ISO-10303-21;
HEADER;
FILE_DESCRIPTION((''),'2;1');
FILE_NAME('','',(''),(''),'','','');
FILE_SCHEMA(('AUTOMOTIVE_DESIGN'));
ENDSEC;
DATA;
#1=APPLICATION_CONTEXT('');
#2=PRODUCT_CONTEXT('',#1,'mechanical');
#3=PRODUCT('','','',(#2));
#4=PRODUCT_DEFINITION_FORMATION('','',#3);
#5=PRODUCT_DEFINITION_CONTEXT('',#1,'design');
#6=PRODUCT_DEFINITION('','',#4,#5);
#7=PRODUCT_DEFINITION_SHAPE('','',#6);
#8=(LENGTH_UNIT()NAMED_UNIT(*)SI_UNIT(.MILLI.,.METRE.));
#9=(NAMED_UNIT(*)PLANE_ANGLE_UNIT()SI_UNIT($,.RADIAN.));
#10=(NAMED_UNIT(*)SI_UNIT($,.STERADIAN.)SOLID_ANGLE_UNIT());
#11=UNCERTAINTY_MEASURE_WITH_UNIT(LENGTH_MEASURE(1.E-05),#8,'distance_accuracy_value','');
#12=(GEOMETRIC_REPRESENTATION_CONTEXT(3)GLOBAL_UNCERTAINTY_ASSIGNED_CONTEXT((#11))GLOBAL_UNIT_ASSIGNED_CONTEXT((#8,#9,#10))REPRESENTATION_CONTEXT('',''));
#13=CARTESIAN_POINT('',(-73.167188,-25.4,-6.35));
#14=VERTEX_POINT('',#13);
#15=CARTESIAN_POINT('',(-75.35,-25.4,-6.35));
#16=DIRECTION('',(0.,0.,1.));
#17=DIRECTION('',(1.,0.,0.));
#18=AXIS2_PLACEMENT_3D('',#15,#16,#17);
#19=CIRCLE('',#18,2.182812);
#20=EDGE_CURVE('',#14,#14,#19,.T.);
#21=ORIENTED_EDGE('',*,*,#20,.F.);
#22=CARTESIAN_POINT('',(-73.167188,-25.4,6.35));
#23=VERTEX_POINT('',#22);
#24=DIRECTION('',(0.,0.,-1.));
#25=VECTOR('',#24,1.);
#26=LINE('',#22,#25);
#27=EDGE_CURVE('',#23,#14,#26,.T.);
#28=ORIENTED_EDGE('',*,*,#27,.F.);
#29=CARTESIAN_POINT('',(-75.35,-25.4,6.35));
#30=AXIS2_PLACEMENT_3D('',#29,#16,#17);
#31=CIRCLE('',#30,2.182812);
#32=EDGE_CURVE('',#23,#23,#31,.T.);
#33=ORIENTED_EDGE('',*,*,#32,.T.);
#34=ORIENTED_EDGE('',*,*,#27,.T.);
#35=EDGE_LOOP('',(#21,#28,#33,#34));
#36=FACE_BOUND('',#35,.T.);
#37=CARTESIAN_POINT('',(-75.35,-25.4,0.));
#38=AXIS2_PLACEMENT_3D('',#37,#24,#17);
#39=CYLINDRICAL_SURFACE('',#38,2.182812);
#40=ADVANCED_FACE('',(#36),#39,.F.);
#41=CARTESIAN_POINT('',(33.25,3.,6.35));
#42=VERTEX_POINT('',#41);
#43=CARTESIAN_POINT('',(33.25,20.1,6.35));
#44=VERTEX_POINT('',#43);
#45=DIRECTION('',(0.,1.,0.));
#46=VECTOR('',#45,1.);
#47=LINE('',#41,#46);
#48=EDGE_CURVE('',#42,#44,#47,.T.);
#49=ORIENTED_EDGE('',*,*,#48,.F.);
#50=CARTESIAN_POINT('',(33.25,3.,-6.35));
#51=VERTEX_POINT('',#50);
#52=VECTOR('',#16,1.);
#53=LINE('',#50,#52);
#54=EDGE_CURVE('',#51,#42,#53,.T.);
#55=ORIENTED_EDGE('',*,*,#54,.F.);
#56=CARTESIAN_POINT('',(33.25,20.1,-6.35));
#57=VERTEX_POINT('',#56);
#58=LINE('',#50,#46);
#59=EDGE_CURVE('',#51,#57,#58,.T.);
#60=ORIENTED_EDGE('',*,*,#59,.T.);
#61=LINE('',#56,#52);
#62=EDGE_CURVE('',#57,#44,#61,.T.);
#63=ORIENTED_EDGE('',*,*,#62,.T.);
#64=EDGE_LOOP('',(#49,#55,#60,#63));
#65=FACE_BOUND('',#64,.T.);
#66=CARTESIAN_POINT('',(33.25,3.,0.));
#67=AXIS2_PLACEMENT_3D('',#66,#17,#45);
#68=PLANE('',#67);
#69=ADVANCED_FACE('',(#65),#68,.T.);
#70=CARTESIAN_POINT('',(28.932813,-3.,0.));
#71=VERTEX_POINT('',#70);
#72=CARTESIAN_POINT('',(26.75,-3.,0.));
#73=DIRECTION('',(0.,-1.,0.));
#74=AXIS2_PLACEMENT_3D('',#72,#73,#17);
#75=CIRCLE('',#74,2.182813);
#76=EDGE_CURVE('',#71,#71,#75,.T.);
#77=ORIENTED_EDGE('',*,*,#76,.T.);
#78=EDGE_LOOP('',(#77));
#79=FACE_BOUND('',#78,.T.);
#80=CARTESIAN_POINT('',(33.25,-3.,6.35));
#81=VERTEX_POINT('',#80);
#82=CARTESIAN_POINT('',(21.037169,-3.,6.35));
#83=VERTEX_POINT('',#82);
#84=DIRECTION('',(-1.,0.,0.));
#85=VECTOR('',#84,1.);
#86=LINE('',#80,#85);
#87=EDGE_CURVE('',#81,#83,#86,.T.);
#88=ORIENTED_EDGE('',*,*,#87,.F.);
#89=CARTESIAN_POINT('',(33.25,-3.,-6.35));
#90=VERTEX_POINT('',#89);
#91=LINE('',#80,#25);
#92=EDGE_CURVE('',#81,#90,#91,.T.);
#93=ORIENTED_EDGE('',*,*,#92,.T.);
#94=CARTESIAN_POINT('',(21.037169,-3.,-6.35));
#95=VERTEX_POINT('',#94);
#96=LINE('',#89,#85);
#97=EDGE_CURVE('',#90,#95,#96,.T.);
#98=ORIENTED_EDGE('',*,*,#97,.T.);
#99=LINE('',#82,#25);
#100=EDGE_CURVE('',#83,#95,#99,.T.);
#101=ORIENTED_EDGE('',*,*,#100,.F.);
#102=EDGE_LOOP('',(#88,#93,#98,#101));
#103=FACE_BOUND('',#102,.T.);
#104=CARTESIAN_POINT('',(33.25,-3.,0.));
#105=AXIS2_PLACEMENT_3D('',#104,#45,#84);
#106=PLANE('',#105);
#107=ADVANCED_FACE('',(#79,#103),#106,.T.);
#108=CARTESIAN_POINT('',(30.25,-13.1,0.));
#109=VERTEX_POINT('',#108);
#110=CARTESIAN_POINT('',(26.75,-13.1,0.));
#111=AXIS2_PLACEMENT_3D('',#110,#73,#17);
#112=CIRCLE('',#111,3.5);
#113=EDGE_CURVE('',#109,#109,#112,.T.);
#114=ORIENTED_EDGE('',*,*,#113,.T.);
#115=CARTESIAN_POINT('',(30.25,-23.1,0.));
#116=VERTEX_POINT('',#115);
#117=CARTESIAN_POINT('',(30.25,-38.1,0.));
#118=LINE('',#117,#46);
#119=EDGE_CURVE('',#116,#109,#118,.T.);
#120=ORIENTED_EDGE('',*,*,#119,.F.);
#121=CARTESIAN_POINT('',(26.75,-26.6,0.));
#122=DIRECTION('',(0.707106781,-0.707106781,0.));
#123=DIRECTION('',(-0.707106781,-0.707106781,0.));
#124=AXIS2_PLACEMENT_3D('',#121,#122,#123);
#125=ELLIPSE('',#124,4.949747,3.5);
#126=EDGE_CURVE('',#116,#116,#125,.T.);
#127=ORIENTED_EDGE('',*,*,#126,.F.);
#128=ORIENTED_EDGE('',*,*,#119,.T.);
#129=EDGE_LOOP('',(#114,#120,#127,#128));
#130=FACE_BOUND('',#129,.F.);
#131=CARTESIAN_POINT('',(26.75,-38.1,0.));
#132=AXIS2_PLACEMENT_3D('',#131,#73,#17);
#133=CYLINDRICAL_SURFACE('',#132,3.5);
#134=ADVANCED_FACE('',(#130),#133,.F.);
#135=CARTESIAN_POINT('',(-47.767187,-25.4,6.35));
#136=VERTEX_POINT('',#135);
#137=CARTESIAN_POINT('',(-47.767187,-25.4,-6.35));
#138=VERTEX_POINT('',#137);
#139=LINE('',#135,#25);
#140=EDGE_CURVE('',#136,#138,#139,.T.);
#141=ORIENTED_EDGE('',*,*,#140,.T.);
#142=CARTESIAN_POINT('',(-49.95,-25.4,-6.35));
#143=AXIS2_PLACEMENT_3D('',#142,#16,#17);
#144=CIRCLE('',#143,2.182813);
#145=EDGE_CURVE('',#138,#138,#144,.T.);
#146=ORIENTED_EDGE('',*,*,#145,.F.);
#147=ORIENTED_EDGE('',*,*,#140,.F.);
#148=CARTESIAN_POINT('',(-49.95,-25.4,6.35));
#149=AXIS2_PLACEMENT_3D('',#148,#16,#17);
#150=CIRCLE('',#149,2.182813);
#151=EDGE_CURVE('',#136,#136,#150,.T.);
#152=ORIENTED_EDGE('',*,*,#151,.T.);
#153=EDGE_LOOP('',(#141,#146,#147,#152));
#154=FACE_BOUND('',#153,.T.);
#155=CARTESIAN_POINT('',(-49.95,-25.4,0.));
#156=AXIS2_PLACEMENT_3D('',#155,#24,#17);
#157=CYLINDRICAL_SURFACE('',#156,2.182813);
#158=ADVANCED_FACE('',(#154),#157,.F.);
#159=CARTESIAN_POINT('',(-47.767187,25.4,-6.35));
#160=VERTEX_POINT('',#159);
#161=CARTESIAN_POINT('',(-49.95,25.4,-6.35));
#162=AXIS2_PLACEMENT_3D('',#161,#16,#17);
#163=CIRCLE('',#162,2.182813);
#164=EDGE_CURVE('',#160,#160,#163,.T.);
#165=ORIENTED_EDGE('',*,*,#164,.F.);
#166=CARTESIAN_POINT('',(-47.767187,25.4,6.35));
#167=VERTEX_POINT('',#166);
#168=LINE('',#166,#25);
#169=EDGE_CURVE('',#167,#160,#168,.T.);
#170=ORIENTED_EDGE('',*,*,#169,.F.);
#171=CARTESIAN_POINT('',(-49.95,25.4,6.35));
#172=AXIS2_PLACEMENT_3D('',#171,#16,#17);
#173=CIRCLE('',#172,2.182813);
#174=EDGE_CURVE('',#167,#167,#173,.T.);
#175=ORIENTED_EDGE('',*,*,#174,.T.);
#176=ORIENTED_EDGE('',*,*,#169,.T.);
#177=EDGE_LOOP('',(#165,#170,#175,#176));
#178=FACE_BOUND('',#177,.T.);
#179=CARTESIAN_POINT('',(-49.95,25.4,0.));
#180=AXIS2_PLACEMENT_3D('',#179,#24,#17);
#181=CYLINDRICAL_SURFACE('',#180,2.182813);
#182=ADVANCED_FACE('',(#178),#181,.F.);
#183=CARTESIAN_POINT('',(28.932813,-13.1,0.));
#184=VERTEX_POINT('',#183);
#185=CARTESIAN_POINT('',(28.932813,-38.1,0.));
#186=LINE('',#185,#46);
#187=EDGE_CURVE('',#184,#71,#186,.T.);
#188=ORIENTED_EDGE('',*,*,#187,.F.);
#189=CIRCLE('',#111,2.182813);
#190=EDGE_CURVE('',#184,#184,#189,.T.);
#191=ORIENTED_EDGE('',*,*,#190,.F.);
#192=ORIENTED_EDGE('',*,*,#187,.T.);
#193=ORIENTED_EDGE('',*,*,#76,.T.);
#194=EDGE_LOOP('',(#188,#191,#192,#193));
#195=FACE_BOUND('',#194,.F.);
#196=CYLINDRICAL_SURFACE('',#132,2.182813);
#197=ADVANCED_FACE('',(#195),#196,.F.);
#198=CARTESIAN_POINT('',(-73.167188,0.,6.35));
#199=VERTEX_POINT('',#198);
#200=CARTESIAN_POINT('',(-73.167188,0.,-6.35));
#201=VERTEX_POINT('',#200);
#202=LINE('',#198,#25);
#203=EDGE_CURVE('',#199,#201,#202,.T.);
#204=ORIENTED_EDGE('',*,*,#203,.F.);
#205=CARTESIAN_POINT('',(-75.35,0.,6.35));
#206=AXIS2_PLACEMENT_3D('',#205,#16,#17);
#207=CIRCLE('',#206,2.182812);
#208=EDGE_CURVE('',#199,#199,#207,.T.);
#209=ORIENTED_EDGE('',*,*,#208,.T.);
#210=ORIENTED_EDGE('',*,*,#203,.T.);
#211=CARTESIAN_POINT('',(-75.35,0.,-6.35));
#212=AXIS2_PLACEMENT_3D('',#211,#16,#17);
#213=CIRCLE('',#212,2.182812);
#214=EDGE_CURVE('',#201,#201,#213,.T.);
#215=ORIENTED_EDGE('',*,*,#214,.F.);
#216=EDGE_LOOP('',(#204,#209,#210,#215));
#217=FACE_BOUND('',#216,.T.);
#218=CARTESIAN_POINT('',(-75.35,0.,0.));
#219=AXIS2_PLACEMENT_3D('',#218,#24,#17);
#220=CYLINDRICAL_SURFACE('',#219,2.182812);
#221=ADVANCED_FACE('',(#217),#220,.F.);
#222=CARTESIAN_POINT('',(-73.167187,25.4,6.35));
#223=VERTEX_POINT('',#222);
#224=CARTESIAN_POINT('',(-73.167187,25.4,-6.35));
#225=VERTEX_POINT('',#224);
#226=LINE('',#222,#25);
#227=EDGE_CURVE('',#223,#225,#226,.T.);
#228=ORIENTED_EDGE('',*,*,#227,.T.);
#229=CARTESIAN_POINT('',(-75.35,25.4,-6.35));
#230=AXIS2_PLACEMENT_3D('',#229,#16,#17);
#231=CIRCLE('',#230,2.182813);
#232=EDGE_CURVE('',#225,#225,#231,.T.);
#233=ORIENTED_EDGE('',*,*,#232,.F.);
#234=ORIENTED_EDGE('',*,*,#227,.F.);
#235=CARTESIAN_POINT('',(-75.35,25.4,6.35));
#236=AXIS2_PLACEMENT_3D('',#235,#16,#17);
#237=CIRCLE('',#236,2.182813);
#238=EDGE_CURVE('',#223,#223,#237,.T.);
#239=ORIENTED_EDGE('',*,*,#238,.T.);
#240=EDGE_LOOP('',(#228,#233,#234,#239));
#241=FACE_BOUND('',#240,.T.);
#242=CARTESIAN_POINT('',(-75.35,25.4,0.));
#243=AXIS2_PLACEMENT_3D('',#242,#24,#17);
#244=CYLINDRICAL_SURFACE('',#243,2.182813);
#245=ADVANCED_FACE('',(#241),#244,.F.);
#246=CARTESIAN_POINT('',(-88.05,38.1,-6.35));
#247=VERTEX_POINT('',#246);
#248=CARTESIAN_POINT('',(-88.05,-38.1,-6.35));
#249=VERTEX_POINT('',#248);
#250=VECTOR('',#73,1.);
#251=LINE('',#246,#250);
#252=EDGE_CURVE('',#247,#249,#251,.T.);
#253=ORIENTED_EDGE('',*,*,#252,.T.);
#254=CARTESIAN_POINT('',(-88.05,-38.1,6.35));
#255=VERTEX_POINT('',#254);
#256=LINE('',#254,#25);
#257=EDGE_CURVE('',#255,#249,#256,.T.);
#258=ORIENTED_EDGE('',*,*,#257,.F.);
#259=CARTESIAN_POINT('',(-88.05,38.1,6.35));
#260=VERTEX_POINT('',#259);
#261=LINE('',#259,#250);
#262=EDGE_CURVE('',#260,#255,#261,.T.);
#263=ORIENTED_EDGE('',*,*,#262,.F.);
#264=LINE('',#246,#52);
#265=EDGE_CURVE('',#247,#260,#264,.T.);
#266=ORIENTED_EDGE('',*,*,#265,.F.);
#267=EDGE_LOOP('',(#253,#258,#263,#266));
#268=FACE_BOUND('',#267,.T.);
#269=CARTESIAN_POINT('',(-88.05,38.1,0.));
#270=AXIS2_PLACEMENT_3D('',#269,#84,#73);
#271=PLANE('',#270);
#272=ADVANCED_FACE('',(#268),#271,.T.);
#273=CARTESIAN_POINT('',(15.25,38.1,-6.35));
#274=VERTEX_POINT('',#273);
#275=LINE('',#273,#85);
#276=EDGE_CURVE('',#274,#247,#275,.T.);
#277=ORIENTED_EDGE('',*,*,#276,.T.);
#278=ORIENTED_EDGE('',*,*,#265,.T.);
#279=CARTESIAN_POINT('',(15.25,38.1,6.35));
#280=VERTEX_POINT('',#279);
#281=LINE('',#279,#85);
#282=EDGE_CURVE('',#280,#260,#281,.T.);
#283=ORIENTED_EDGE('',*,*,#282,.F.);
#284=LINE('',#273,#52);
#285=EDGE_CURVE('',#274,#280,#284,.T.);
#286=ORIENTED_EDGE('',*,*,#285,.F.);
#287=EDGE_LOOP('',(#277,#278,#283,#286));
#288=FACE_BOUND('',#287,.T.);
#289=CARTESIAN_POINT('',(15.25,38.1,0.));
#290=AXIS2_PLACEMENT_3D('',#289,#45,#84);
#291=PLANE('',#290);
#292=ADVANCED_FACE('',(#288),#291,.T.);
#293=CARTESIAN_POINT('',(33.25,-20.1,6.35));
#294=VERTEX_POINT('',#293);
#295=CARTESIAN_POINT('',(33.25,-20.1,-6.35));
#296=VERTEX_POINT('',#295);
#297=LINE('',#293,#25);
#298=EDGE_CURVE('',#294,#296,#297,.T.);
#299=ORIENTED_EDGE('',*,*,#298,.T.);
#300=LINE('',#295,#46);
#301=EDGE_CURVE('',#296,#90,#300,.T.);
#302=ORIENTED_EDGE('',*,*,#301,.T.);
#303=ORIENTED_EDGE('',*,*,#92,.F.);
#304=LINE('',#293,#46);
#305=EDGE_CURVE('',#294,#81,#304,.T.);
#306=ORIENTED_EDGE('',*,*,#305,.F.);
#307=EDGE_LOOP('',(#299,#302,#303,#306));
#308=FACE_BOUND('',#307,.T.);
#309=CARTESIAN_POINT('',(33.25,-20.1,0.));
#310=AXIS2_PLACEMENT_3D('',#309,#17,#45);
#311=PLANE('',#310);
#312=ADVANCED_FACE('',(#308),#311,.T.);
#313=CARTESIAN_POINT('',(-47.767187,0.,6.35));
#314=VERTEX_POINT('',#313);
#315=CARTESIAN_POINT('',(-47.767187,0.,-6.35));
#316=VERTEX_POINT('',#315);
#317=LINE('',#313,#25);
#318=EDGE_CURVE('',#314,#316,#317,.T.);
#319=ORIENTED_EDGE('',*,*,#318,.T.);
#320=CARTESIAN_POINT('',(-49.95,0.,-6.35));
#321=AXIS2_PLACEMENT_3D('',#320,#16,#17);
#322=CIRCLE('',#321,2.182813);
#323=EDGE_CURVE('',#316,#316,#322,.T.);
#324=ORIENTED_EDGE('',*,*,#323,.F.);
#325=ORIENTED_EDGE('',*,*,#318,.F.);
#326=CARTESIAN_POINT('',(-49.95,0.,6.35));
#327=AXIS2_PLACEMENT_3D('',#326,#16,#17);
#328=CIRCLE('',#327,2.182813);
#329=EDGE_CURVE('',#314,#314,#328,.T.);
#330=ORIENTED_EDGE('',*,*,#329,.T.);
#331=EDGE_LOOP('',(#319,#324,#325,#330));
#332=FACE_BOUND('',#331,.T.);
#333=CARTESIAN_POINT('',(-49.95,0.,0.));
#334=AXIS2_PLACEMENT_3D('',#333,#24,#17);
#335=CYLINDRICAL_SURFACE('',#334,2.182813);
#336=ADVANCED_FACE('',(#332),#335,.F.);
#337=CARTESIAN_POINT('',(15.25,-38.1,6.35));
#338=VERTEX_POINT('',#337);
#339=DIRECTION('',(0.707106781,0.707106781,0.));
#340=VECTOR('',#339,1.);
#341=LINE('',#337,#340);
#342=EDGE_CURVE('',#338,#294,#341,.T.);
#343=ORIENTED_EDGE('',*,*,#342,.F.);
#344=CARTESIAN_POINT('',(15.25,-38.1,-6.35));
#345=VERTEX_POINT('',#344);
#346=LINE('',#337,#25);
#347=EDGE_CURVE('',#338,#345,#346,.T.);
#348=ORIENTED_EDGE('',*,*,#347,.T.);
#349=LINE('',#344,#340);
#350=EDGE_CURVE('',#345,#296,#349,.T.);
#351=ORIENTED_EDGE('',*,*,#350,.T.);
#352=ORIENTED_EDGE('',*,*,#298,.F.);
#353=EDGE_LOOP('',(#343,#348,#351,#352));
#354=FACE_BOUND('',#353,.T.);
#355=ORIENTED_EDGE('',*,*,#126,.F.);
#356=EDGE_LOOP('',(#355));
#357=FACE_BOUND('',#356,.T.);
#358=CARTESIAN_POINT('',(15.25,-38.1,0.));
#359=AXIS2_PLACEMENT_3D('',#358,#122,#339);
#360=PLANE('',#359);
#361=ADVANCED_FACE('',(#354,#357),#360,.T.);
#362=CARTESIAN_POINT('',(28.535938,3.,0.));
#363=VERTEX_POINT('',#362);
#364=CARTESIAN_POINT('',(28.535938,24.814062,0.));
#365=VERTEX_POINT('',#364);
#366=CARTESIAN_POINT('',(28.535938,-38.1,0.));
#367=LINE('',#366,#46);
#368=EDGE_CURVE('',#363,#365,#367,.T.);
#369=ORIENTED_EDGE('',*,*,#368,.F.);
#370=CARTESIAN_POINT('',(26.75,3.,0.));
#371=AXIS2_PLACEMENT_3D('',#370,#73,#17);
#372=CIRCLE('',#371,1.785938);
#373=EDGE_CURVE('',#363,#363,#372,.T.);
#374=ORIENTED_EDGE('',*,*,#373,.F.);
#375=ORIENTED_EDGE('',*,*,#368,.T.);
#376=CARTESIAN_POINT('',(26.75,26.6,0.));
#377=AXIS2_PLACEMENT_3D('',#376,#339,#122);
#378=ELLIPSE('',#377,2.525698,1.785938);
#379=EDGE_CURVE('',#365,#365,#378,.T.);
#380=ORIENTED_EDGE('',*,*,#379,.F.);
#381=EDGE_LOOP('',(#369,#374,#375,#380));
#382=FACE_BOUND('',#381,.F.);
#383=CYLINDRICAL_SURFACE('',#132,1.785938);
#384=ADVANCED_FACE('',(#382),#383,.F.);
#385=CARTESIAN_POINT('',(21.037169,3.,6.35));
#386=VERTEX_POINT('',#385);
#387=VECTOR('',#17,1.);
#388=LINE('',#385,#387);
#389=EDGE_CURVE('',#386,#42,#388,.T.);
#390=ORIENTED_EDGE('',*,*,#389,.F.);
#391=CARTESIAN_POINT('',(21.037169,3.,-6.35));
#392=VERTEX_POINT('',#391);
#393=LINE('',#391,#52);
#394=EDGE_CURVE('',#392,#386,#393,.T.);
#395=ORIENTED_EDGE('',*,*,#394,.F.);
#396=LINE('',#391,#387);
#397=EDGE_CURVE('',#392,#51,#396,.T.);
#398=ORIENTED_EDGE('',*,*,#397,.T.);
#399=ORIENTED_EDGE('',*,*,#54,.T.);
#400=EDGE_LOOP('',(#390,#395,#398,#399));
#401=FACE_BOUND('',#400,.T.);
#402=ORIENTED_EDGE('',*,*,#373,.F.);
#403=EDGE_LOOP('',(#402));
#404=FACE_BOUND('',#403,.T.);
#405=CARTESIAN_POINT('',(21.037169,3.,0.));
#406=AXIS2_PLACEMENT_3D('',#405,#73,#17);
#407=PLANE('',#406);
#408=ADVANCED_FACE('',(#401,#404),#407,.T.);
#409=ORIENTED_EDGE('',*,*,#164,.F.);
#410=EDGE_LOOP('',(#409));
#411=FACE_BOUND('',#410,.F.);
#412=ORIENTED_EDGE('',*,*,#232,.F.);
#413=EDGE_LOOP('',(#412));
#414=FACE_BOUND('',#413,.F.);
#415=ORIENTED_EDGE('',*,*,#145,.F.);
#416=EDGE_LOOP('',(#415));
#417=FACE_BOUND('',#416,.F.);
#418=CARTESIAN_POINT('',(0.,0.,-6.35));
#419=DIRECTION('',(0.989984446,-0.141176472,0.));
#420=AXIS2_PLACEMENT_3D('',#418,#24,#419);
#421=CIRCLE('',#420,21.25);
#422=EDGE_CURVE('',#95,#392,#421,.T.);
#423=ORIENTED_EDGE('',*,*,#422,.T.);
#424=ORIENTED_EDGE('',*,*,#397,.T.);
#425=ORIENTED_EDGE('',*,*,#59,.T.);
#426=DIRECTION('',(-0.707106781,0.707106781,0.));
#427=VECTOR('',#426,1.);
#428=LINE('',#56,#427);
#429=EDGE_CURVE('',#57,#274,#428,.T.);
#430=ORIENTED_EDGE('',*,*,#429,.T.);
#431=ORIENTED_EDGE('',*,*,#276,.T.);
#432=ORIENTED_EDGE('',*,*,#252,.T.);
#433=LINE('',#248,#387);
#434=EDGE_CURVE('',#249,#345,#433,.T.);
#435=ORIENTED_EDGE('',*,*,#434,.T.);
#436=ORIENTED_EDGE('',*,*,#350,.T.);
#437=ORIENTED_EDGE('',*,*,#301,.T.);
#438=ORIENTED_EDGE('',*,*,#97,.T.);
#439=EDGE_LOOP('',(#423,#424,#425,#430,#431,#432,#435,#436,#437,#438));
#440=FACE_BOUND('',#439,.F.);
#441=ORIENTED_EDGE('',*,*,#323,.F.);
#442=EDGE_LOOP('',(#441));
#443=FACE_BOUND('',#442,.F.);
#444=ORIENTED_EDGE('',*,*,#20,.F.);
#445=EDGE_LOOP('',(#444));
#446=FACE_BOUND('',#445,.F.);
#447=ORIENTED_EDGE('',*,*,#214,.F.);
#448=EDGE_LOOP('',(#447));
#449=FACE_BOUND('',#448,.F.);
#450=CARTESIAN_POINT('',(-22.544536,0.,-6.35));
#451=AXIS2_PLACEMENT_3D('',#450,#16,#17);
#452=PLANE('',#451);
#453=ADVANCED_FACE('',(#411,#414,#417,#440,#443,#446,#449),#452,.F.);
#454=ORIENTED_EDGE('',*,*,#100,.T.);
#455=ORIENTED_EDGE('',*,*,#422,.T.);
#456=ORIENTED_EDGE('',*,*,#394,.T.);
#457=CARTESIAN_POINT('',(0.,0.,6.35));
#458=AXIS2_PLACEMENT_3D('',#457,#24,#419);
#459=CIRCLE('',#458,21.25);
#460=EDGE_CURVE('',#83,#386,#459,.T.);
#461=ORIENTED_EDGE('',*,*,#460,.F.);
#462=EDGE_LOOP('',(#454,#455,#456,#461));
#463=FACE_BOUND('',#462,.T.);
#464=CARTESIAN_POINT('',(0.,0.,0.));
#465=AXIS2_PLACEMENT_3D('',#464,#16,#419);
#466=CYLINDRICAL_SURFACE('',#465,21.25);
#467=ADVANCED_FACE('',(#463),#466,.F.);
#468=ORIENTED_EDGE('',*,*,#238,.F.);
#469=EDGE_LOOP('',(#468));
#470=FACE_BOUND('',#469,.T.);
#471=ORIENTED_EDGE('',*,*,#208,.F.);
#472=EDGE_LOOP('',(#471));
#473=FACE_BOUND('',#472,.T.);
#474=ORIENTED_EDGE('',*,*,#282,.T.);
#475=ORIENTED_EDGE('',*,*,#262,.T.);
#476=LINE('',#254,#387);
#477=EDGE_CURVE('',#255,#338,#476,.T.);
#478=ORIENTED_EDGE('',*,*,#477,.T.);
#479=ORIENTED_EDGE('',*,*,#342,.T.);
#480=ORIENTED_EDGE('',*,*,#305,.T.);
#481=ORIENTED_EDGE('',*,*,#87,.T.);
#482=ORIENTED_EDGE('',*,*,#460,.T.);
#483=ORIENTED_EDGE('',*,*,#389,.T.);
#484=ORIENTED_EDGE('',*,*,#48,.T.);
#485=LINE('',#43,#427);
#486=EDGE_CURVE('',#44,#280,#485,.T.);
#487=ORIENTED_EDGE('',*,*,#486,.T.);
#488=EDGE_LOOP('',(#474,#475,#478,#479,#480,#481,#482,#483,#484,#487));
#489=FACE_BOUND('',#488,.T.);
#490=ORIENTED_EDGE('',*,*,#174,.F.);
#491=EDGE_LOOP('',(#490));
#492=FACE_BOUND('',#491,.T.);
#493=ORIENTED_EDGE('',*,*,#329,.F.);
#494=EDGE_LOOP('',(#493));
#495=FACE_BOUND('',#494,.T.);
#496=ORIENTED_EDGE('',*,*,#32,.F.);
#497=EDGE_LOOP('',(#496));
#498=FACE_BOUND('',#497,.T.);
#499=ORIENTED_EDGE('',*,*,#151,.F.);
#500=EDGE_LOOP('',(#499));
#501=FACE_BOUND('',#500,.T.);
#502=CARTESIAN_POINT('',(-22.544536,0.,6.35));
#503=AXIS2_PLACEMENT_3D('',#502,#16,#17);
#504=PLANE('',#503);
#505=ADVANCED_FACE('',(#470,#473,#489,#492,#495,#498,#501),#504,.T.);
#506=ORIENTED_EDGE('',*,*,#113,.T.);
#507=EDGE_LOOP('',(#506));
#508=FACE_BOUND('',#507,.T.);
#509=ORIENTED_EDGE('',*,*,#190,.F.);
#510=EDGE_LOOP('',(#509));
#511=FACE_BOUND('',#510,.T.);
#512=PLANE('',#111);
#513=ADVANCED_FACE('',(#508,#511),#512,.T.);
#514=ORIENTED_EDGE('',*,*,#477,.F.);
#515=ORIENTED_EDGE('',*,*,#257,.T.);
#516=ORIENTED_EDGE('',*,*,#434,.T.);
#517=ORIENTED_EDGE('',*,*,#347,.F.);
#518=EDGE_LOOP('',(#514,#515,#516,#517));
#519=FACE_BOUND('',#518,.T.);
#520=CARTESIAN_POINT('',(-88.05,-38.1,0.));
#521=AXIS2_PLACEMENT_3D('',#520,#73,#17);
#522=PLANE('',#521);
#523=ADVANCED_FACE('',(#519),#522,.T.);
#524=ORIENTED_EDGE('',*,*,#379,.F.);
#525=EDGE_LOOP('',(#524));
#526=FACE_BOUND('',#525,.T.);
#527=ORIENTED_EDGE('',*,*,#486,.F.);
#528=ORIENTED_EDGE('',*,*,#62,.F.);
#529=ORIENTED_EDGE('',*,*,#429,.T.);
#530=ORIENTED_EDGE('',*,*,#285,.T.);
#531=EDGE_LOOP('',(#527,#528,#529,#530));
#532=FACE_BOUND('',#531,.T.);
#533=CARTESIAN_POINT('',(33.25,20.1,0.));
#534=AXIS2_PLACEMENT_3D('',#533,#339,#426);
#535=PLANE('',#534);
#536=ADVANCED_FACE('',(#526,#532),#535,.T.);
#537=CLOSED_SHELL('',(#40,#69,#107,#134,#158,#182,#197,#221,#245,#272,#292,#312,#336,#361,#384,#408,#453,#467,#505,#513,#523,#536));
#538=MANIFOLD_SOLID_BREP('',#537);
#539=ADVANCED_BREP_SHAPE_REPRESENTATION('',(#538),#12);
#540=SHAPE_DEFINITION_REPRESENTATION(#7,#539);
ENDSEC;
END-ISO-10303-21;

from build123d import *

# Parameters (mm, degrees)
F0_R     = 2.182812
F0_R_2   = 2.182813
F1_DEPTH = 6.35
F2_R     = 3.5
F2_R_2   = 2.182813
F3_DEPTH = 25
F2_R_3   = 1.785938
F4_DEPTH = 35.1
F5_DEPTH = 76.2


with BuildPart() as f1:
    # F0 (on Top) → F1 (new body, symmetric)
    with BuildSketch(Plane.XY):
        with BuildLine():
            ThreePointArc((21.037169, -3), (-21.25, 0), (21.037169, 3))
            Line((21.037169, 3), (33.25, 3))
            Line((33.25, 3), (33.25, 20.1))
            Line((33.25, 20.1), (15.25, 38.1))
            Line((15.25, 38.1), (-88.05, 38.1))
            Line((-88.05, 38.1), (-88.05, -38.1))
            Line((-88.05, -38.1), (15.25, -38.1))
            Line((15.25, -38.1), (33.25, -20.1))
            Line((33.25, -20.1), (33.25, -3))
            Line((33.25, -3), (21.037169, -3))
        make_face()
        with Locations((-75.35, -25.4)):
            Circle(F0_R, mode=Mode.SUBTRACT)
        with Locations((-49.95, -25.4)):
            Circle(F0_R_2, mode=Mode.SUBTRACT)
        with Locations((-75.35, 0)):
            Circle(F0_R, mode=Mode.SUBTRACT)
        with Locations((-49.95, 0)):
            Circle(F0_R_2, mode=Mode.SUBTRACT)
        with Locations((-75.35, 25.4)):
            Circle(F0_R_2, mode=Mode.SUBTRACT)
        with Locations((-49.95, 25.4)):
            Circle(F0_R_2, mode=Mode.SUBTRACT)
    extrude(amount=F1_DEPTH, both=True)

    # F2 (on face) → F3 (cut)
    with BuildSketch(Plane.XZ.offset(38.1)):
        with Locations((26.75, 0)):
            Circle(F2_R)
        with Locations((26.75, 0)):
            Circle(F2_R_2, mode=Mode.SUBTRACT)
    extrude(amount=-F3_DEPTH, mode=Mode.SUBTRACT)

    # F2 (on face) → F4 (cut, through all)
    with BuildSketch(Plane.XZ.offset(38.1)):
        with Locations((26.75, 0)):
            Circle(F2_R_2)
        with Locations((26.75, 0)):
            Circle(F2_R_3, mode=Mode.SUBTRACT)
        with Locations((26.75, 0)):
            Circle(F2_R_3)
    extrude(amount=-F4_DEPTH, mode=Mode.SUBTRACT)

    # F2 (on face) → F5 (cut, through all)
    with BuildSketch(Plane.XZ.offset(38.1)):
        with Locations((26.75, 0)):
            Circle(F2_R_3)
    extrude(amount=-F5_DEPTH, mode=Mode.SUBTRACT)


solid = f1.part
